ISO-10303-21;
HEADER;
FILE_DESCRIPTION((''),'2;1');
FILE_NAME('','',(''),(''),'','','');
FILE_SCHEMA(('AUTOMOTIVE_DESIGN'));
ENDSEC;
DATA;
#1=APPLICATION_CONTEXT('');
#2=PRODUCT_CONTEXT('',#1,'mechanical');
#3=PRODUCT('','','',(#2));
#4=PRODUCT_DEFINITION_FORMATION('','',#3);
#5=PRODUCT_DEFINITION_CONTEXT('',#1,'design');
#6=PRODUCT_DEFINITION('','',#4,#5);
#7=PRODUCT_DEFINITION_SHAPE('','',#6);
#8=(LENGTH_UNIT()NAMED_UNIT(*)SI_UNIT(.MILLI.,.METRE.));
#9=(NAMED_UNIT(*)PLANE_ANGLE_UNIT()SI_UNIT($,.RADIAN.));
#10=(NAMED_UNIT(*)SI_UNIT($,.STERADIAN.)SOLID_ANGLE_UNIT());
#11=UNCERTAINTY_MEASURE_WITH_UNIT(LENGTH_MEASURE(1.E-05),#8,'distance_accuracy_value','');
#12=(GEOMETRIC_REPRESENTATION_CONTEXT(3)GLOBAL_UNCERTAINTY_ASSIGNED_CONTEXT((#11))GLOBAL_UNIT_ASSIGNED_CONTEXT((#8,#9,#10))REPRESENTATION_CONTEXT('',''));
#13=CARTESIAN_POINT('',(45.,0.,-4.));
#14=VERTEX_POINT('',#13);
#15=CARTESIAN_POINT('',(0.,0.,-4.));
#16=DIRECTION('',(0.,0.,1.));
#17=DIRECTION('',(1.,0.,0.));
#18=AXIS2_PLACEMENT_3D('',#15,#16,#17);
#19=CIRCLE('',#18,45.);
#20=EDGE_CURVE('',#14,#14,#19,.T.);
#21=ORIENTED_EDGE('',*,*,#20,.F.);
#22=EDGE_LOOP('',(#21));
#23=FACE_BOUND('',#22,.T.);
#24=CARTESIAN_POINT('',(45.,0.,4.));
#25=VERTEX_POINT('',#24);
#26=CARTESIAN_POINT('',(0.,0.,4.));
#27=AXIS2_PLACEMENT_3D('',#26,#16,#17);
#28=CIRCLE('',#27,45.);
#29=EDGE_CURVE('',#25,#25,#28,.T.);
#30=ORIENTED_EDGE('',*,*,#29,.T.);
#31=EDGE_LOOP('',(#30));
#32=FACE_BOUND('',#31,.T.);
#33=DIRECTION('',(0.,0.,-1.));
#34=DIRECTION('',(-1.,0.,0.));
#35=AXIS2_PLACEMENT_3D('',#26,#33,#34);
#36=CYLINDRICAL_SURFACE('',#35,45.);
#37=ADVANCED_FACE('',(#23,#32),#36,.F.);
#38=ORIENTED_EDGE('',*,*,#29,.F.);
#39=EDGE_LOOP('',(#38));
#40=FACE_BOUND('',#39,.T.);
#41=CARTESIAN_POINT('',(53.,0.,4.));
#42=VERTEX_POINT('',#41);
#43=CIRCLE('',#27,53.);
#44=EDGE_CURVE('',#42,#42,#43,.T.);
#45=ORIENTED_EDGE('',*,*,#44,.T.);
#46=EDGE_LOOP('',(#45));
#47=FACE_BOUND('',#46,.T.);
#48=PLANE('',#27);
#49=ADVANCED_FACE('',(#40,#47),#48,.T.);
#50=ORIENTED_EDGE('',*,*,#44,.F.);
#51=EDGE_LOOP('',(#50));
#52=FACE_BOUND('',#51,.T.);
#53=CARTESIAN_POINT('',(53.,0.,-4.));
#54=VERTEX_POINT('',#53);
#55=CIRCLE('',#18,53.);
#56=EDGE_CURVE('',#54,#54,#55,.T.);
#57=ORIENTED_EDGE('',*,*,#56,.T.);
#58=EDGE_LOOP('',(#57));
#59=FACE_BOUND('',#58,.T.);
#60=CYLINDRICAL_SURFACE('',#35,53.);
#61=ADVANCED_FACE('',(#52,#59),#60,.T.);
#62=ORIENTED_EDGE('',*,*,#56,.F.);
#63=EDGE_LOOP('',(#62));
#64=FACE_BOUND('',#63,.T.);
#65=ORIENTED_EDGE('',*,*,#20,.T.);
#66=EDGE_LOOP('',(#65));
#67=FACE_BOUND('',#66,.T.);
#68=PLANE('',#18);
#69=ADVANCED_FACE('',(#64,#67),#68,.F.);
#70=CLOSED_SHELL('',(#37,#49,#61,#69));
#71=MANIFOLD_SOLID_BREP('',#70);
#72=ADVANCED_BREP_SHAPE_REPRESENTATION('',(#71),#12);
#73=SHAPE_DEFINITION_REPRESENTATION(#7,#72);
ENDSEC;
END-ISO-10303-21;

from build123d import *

# Parameters (mm, degrees)
SKETCH_1_R      = 53
SKETCH_1_R_2    = 45
EXTRUDE_1_DEPTH = 4


with BuildPart() as part:
    # 草图1 → 凸台-拉伸1 (new, symmetric)
    with BuildSketch(Plane.XY):
        Circle(SKETCH_1_R)
        Circle(SKETCH_1_R_2, mode=Mode.SUBTRACT)
    extrude(amount=EXTRUDE_1_DEPTH, both=True)


solid = part.part
